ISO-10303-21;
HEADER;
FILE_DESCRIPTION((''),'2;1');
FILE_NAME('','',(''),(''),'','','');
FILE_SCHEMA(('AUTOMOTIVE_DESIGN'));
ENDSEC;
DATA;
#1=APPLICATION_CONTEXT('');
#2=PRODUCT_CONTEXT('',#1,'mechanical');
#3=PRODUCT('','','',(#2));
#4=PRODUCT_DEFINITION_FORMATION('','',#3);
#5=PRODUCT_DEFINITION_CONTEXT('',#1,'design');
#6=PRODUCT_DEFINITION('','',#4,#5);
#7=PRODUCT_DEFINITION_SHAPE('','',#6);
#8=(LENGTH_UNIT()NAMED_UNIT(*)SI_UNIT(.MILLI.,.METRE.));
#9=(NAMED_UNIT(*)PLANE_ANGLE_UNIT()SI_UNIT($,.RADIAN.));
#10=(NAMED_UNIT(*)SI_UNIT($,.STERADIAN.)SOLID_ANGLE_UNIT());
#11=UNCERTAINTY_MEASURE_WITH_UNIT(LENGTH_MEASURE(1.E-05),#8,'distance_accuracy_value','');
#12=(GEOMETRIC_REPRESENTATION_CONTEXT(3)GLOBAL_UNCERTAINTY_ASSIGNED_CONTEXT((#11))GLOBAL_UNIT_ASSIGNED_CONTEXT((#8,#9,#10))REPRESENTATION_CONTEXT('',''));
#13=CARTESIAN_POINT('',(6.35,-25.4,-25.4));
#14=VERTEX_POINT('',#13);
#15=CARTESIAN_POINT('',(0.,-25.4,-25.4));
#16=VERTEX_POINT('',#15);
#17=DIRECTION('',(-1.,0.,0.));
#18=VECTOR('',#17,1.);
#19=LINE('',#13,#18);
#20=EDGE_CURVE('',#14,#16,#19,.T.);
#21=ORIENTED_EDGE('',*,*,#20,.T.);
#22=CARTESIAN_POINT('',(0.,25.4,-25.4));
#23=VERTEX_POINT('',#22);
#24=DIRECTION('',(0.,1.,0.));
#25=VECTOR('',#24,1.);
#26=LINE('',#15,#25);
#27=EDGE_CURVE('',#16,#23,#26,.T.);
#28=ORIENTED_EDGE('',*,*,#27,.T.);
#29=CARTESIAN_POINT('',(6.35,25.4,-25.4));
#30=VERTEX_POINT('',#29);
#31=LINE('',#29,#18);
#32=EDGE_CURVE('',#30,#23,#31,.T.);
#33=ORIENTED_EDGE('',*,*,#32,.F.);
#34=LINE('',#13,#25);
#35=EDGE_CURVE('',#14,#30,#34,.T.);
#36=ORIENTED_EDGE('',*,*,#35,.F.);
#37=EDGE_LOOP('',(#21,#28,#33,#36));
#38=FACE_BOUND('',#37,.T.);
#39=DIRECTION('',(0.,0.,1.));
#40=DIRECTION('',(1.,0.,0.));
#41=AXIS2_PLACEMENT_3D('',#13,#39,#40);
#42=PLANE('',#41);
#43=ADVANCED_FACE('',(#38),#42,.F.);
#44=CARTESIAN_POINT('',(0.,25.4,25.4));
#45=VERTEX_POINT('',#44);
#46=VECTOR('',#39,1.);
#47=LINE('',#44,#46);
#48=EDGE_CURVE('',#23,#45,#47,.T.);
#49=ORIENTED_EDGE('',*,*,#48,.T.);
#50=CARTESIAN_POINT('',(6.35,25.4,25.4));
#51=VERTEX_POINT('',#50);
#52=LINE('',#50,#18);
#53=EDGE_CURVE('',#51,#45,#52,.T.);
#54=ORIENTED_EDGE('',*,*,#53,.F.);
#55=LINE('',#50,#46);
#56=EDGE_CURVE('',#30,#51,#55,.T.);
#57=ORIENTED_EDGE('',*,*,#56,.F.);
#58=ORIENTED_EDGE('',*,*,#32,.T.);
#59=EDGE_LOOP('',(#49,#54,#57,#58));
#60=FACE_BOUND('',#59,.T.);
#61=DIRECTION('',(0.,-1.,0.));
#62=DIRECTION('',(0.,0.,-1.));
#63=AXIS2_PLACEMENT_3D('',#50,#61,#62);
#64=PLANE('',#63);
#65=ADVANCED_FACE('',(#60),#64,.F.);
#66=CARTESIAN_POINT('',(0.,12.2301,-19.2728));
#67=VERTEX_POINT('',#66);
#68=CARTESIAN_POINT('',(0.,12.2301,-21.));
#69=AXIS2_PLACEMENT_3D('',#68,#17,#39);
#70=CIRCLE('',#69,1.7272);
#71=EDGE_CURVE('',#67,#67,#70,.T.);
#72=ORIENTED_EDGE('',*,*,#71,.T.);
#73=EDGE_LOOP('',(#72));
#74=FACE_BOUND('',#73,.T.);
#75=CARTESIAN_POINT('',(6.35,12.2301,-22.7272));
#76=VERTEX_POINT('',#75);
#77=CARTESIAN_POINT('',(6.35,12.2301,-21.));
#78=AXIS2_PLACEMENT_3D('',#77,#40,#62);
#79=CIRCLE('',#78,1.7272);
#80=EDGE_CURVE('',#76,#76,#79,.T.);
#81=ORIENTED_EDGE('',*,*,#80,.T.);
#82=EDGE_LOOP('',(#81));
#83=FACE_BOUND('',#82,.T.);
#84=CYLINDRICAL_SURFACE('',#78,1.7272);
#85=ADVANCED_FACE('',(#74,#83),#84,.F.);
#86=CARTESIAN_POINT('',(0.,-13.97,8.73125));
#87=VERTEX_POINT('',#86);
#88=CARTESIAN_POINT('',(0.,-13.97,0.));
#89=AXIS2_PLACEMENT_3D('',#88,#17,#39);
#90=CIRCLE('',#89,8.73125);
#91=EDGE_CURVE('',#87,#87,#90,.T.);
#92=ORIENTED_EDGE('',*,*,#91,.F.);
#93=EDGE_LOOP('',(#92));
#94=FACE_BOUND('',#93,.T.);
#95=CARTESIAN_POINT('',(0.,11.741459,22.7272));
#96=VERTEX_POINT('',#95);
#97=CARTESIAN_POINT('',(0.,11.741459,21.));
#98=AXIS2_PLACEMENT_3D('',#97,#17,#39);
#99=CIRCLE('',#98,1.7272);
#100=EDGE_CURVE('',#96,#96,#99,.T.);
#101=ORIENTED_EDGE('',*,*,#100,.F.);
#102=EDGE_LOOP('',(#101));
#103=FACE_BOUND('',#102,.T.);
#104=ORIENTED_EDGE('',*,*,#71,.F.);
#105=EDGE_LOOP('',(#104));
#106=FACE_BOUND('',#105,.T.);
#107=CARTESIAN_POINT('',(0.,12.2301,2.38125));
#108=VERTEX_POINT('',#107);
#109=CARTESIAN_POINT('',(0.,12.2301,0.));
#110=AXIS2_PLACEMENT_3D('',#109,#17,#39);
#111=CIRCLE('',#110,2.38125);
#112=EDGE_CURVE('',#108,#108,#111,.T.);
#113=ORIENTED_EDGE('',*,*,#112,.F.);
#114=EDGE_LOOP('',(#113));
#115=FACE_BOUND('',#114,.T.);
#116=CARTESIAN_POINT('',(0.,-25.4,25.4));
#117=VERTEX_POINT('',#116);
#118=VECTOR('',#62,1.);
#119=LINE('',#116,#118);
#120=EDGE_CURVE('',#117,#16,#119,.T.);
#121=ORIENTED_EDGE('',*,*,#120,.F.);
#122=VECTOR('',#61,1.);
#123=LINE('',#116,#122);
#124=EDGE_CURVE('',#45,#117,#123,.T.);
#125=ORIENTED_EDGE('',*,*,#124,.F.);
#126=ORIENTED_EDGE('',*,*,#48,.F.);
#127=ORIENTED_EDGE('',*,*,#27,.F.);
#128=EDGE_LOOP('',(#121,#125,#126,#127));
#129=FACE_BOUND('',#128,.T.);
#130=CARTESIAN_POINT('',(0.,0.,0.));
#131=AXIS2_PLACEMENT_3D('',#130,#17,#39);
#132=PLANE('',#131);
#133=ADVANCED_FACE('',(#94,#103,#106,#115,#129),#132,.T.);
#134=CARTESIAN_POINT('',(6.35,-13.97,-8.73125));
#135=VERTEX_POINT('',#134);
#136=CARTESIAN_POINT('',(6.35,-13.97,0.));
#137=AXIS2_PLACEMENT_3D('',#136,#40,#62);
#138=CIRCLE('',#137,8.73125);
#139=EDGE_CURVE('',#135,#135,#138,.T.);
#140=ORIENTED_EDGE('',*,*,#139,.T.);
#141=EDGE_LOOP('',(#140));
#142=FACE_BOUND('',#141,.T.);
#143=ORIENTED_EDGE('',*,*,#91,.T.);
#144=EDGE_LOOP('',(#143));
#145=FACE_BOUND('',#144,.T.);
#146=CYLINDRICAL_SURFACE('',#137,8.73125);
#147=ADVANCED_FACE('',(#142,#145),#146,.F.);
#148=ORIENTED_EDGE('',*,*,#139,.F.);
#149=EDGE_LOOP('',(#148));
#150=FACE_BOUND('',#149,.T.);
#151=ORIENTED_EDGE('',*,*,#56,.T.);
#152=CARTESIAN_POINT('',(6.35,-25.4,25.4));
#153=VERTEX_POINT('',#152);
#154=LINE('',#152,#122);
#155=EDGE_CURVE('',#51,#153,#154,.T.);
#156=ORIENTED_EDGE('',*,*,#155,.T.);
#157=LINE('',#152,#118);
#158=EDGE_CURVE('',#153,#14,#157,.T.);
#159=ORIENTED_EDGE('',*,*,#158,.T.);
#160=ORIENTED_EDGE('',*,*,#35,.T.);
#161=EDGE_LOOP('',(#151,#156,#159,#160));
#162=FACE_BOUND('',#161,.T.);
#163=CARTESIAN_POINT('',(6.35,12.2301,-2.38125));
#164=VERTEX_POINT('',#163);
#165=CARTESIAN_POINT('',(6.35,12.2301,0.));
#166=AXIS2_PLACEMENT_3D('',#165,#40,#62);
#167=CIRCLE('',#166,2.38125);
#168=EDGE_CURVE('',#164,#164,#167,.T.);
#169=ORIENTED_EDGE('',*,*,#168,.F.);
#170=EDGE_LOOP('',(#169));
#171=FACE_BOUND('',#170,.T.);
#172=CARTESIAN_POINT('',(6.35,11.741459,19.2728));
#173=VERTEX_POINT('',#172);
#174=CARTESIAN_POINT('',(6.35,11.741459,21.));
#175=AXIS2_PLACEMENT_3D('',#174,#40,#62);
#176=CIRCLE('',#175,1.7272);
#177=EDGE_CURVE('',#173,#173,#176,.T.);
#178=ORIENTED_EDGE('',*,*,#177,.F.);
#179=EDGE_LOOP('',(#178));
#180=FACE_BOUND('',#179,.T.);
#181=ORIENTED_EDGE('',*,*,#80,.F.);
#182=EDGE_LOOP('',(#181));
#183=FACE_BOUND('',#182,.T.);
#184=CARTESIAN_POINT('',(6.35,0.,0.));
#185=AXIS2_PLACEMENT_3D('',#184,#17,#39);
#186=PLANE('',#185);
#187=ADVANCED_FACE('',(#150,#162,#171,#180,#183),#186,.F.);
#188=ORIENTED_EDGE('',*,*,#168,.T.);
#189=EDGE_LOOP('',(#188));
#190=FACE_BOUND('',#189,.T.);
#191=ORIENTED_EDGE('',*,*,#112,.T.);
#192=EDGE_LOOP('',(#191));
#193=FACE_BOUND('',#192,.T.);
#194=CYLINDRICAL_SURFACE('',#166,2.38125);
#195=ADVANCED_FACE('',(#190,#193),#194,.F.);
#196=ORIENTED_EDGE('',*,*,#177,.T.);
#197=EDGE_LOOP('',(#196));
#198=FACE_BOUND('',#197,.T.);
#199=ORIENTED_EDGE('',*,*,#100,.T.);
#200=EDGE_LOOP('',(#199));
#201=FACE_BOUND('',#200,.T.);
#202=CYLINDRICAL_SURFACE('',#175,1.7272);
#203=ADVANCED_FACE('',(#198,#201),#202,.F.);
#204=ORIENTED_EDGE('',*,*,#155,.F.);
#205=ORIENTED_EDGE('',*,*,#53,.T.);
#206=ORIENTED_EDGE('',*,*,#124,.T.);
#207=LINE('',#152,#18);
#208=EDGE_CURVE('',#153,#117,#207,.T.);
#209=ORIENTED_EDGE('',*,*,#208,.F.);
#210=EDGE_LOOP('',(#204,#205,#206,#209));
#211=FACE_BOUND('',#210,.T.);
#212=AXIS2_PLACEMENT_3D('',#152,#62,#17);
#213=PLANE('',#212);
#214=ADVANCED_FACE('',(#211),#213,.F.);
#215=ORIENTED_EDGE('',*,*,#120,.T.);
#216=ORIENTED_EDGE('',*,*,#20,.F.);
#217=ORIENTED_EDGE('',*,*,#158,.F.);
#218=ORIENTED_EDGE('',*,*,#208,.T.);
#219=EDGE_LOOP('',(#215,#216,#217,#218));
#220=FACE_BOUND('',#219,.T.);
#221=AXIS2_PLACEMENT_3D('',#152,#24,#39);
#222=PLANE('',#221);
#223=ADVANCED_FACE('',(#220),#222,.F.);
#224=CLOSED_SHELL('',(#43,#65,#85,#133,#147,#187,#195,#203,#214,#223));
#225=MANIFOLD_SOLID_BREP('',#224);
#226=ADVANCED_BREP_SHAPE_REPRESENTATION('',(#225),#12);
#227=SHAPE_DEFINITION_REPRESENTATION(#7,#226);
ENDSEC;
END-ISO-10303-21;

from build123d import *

# Parameters (mm, degrees)
SKETCH1_W                           = 50.8
SKETCH1_H                           = 50.8
BOSS_EXTRUDE1_DEPTH                 = 6.35
F_11_16_0_6875_DIAMETER_HOLE1_D     = 17.4625
F_11_16_0_6875_DIAMETER_HOLE1_DEPTH = 70.104
F_11_16_0_6875_DIAMETER_HOLE1_TIP   = 5.24626428
F_3_16_0_1875_DIAMETER_HOLE1_D      = 4.7625
F_3_16_0_1875_DIAMETER_HOLE1_DEPTH  = 70.104
F_3_16_0_1875_DIAMETER_HOLE1_TIP    = 1.430799349
F_29_0_136_DIAMETER_HOLE1_D         = 3.4544
F_29_0_136_DIAMETER_HOLE1_DEPTH     = 70.104
F_29_0_136_DIAMETER_HOLE1_TIP       = 1.037806461


with BuildPart() as part:
    # Sketch1 → Boss-Extrude1 (new body)
    with BuildSketch(Plane(origin=(0, 0, 0), x_dir=(0, 0, -1), z_dir=(1, 0, 0))):
        Rectangle(SKETCH1_W, SKETCH1_H)
    extrude(amount=BOSS_EXTRUDE1_DEPTH)

    # 11/16 (0.6875) Diameter Hole1
    with Locations(Plane(origin=(6.35, 0, 0), x_dir=(0, 0, -1), z_dir=(1, 0, 0))):
        with Locations((0, -13.97)):
            Hole(F_11_16_0_6875_DIAMETER_HOLE1_D / 2, depth=F_11_16_0_6875_DIAMETER_HOLE1_DEPTH)
            with Locations((0, 0, -(F_11_16_0_6875_DIAMETER_HOLE1_DEPTH + F_11_16_0_6875_DIAMETER_HOLE1_TIP / 2))):  # 118° drill point
                Cone(0, F_11_16_0_6875_DIAMETER_HOLE1_D / 2, F_11_16_0_6875_DIAMETER_HOLE1_TIP, mode=Mode.SUBTRACT)

    # 3/16 (0.1875) Diameter Hole1
    with Locations(Plane(origin=(6.35, 0, 0), x_dir=(0, 0, -1), z_dir=(1, 0, 0))):
        with Locations((0, 12.2301)):
            Hole(F_3_16_0_1875_DIAMETER_HOLE1_D / 2, depth=F_3_16_0_1875_DIAMETER_HOLE1_DEPTH)
            with Locations((0, 0, -(F_3_16_0_1875_DIAMETER_HOLE1_DEPTH + F_3_16_0_1875_DIAMETER_HOLE1_TIP / 2))):  # 118° drill point
                Cone(0, F_3_16_0_1875_DIAMETER_HOLE1_D / 2, F_3_16_0_1875_DIAMETER_HOLE1_TIP, mode=Mode.SUBTRACT)

    # #29 (0.136) Diameter Hole1
    with Locations(Plane(origin=(6.35, 0, 0), x_dir=(0, 0, -1), z_dir=(1, 0, 0))):
        with Locations((21, 12.2301), (-21, 11.74145915)):
            Hole(F_29_0_136_DIAMETER_HOLE1_D / 2, depth=F_29_0_136_DIAMETER_HOLE1_DEPTH)
            with Locations((0, 0, -(F_29_0_136_DIAMETER_HOLE1_DEPTH + F_29_0_136_DIAMETER_HOLE1_TIP / 2))):  # 118° drill point
                Cone(0, F_29_0_136_DIAMETER_HOLE1_D / 2, F_29_0_136_DIAMETER_HOLE1_TIP, mode=Mode.SUBTRACT)


solid = part.part
